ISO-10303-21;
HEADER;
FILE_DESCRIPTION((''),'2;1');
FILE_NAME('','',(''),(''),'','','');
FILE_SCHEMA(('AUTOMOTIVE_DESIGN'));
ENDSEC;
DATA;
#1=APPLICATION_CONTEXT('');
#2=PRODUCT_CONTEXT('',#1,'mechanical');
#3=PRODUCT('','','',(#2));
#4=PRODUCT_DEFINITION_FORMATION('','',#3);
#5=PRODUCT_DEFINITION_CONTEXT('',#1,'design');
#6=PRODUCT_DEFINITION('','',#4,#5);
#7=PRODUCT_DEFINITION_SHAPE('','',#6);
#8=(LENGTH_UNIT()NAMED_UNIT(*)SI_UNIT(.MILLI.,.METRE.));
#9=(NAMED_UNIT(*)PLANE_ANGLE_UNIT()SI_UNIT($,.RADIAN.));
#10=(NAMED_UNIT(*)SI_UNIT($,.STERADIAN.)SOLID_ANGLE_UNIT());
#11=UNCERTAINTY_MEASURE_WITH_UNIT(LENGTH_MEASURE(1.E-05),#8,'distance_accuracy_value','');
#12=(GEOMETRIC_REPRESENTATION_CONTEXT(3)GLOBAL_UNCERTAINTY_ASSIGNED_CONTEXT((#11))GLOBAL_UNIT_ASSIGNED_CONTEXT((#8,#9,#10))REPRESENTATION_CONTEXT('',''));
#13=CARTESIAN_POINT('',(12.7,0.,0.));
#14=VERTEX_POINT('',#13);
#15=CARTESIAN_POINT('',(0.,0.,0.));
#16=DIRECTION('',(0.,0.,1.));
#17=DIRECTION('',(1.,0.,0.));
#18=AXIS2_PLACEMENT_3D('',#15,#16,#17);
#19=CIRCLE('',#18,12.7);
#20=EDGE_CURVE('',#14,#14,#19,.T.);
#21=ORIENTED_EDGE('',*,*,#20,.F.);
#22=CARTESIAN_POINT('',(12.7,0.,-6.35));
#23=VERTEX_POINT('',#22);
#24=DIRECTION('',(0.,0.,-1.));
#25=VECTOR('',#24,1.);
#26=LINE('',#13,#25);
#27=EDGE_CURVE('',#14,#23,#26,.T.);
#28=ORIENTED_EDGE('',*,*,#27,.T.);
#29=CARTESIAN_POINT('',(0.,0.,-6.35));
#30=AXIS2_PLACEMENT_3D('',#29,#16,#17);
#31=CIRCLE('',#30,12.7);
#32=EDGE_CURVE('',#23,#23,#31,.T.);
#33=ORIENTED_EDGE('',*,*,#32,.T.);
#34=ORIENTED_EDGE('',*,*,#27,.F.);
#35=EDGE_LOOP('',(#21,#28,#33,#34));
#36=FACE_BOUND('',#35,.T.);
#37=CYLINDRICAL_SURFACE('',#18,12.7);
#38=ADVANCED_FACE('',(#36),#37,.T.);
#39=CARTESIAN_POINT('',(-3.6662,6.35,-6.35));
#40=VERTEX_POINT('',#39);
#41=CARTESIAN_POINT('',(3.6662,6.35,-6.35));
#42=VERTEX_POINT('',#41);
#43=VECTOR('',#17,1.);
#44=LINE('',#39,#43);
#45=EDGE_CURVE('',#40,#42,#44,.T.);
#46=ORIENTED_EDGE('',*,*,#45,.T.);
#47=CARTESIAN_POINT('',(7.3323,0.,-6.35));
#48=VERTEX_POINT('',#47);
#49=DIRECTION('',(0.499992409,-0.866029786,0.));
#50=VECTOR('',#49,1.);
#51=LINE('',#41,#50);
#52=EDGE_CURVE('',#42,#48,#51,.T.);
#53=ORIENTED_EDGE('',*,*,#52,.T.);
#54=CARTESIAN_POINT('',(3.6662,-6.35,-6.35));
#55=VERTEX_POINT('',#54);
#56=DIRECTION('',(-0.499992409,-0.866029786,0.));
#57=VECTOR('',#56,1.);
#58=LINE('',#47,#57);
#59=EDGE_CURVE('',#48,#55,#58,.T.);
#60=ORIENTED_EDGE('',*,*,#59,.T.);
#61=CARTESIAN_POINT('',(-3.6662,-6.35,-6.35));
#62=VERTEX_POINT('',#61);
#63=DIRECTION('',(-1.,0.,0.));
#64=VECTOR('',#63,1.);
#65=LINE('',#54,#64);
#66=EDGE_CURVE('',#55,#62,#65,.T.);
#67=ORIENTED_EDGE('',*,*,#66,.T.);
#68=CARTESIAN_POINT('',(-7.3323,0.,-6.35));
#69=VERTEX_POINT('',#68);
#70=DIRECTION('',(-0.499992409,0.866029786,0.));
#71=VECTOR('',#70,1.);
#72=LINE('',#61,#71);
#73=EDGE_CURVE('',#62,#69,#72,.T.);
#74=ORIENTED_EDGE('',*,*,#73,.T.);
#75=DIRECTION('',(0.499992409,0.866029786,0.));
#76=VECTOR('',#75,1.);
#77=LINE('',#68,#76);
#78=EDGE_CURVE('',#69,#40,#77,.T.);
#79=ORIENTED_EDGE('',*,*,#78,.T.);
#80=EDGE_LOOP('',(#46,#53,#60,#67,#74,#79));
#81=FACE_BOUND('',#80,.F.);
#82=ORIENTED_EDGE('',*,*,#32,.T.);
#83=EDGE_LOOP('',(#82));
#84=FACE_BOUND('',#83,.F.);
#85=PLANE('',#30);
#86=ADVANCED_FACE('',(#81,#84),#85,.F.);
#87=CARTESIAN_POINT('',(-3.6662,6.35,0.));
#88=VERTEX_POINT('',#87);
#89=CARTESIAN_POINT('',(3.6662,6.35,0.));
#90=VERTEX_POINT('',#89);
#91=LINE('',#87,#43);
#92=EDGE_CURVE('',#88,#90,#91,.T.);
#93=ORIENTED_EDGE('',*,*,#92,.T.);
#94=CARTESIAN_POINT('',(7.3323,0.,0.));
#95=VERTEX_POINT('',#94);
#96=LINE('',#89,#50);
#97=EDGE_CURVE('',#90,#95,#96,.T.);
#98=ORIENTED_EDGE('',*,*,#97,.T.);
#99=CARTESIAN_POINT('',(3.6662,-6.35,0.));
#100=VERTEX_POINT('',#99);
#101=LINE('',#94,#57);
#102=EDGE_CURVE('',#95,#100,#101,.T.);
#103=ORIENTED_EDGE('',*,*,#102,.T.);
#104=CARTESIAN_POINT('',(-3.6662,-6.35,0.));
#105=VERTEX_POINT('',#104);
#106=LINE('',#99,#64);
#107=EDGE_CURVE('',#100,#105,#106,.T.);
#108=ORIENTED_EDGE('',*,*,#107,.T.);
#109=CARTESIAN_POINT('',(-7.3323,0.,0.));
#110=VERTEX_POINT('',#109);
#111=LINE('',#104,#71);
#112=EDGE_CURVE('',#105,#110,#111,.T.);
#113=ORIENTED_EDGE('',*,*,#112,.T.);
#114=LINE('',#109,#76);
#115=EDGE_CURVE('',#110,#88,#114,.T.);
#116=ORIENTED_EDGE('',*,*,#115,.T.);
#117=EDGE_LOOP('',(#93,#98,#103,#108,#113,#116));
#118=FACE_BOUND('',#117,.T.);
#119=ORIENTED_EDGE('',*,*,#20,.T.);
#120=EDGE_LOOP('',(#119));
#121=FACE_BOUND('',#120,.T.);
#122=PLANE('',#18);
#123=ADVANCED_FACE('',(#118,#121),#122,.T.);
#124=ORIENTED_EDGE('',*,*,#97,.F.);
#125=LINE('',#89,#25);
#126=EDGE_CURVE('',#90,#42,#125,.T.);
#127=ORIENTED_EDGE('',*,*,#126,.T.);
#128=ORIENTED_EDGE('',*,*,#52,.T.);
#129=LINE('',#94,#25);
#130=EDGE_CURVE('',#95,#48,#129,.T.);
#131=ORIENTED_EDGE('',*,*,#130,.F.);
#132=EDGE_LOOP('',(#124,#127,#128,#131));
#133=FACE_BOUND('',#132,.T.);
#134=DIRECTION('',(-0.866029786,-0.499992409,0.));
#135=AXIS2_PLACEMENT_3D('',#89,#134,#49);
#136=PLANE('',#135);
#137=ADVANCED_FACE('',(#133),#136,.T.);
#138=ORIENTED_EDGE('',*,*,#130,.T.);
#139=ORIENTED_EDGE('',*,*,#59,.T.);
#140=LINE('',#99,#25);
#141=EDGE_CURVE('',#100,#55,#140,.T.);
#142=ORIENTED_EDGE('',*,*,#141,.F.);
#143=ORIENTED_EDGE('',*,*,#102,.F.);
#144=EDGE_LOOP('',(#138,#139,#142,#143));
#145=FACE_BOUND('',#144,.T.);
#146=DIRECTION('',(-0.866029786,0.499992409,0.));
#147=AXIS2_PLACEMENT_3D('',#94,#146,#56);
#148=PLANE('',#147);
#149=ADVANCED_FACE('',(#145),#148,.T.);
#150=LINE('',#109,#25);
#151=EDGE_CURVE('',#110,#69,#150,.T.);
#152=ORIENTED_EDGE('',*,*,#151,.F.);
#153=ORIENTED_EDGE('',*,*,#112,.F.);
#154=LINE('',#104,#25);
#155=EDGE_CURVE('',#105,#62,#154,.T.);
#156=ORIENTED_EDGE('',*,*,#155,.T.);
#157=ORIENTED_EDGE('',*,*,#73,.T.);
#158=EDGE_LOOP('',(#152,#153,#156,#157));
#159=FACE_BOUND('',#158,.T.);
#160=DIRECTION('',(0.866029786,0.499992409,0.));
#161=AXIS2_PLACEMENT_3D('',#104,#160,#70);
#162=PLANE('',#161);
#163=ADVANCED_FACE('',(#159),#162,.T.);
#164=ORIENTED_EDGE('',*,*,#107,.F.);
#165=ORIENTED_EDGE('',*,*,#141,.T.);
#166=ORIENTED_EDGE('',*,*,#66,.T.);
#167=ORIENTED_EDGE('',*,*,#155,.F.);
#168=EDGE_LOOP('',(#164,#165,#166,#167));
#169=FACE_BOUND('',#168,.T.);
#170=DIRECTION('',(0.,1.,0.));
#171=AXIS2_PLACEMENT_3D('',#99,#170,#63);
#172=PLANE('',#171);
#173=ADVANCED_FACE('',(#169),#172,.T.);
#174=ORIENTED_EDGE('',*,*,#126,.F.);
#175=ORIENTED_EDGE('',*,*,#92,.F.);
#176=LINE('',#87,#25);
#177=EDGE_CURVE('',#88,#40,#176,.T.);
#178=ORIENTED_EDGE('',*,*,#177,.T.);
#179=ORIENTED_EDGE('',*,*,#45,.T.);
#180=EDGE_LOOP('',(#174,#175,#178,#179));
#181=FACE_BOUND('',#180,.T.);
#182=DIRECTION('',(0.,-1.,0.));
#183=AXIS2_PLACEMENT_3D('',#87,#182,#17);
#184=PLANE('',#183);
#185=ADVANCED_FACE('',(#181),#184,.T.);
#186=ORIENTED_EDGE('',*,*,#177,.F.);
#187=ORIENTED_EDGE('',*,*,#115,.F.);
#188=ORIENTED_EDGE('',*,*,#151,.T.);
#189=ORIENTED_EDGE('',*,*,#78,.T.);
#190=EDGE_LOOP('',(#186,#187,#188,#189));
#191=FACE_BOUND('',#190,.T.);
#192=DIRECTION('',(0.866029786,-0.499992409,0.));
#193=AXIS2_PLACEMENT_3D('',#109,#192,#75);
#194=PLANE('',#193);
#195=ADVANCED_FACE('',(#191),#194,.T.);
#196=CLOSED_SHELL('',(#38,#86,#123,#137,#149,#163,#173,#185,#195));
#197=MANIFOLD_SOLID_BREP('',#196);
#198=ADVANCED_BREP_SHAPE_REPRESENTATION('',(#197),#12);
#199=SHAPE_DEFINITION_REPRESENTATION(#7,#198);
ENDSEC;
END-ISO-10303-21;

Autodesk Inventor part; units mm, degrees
ref_plane "YZ Plane" through (0, 0, 0) normal (1, 0, 0) x (0, 1, 0)
ref_plane "XZ Plane" through (0, 0, 0) normal (0, 1, 0) x (-1, 0, 0)
ref_plane "XY Plane" through (0, 0, 0) normal (0, 0, 1) x (1, 0, 0)
sketch "Sketch1" plane through (0, 0, 0) normal (0, 0, 1) x (1, 0, 0)
  line L0 (3.6662, 6.35) -> (7.3323, 0)
  line L1 (7.3323, 0) -> (3.6662, -6.35)
  line L2 (3.6662, -6.35) -> (-3.6662, -6.35)
  line L3 (-3.6662, -6.35) -> (-7.3323, 0)
  line L4 (-7.3323, 0) -> (-3.6662, 6.35)
  line L5 (-3.6662, 6.35) -> (3.6662, 6.35)
  circle A0 centre (0, 0) radius 12.7
  circle A1 centre (0, 0) radius 7.3323 construction
  dimension "d0" = 12.7
  dimension "d2" = 25.4
  dimension "d3" = 5.3677
extrude "Extrusion1" add sketch "Sketch1" against normal blind 6.35
properties part number "hexBearing" material "PC/ABS Plastic"
